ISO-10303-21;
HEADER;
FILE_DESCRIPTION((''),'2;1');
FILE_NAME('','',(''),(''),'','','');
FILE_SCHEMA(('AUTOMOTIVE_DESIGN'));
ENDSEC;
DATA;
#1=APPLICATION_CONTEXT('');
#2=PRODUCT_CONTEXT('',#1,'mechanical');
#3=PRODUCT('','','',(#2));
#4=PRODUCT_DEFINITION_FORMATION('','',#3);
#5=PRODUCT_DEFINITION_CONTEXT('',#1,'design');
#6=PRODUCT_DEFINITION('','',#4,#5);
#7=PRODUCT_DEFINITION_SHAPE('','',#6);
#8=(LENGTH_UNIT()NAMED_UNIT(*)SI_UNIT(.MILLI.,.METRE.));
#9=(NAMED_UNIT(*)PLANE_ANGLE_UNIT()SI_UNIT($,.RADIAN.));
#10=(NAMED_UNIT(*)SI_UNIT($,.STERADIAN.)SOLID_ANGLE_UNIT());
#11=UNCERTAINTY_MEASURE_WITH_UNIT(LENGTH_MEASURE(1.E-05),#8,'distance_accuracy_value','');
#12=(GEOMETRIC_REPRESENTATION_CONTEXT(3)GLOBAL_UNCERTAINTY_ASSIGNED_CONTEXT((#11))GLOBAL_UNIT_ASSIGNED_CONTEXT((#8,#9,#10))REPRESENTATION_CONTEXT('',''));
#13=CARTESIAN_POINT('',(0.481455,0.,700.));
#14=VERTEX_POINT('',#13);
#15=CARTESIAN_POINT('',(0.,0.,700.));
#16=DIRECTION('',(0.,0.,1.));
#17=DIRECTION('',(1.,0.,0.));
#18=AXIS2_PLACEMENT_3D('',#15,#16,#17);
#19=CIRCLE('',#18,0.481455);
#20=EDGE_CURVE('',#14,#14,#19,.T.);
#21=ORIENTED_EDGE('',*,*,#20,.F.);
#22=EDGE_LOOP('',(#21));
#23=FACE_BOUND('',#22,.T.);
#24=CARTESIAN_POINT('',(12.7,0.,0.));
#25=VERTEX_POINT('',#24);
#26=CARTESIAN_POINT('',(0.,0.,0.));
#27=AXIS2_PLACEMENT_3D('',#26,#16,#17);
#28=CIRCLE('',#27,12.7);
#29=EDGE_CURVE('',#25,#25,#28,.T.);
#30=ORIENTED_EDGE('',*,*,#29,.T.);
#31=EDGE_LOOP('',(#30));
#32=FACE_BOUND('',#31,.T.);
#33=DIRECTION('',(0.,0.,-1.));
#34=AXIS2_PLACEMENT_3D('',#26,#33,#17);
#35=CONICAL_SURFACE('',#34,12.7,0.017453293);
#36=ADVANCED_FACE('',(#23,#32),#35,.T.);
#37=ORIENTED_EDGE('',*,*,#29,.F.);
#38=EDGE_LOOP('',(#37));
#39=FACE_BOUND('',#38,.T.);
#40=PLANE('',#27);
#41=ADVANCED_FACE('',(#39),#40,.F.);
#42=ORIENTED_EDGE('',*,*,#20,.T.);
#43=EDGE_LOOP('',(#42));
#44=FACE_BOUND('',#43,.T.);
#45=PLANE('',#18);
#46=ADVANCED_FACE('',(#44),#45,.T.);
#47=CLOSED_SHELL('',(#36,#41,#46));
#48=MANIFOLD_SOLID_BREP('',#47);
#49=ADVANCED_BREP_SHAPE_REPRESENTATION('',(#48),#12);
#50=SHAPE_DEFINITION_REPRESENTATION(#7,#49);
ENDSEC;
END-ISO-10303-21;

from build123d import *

# Parameters (mm, degrees)
SKETCH1_R           = 12.7
BOSS_EXTRUDE2_DEPTH = 700
BOSS_EXTRUDE2_TAPER = 1


with BuildPart() as part:
    # Sketch1 → Boss-Extrude2 (new body)
    with BuildSketch(Plane.XY):
        Circle(SKETCH1_R)
    extrude(amount=BOSS_EXTRUDE2_DEPTH, taper=BOSS_EXTRUDE2_TAPER)


solid = part.part
